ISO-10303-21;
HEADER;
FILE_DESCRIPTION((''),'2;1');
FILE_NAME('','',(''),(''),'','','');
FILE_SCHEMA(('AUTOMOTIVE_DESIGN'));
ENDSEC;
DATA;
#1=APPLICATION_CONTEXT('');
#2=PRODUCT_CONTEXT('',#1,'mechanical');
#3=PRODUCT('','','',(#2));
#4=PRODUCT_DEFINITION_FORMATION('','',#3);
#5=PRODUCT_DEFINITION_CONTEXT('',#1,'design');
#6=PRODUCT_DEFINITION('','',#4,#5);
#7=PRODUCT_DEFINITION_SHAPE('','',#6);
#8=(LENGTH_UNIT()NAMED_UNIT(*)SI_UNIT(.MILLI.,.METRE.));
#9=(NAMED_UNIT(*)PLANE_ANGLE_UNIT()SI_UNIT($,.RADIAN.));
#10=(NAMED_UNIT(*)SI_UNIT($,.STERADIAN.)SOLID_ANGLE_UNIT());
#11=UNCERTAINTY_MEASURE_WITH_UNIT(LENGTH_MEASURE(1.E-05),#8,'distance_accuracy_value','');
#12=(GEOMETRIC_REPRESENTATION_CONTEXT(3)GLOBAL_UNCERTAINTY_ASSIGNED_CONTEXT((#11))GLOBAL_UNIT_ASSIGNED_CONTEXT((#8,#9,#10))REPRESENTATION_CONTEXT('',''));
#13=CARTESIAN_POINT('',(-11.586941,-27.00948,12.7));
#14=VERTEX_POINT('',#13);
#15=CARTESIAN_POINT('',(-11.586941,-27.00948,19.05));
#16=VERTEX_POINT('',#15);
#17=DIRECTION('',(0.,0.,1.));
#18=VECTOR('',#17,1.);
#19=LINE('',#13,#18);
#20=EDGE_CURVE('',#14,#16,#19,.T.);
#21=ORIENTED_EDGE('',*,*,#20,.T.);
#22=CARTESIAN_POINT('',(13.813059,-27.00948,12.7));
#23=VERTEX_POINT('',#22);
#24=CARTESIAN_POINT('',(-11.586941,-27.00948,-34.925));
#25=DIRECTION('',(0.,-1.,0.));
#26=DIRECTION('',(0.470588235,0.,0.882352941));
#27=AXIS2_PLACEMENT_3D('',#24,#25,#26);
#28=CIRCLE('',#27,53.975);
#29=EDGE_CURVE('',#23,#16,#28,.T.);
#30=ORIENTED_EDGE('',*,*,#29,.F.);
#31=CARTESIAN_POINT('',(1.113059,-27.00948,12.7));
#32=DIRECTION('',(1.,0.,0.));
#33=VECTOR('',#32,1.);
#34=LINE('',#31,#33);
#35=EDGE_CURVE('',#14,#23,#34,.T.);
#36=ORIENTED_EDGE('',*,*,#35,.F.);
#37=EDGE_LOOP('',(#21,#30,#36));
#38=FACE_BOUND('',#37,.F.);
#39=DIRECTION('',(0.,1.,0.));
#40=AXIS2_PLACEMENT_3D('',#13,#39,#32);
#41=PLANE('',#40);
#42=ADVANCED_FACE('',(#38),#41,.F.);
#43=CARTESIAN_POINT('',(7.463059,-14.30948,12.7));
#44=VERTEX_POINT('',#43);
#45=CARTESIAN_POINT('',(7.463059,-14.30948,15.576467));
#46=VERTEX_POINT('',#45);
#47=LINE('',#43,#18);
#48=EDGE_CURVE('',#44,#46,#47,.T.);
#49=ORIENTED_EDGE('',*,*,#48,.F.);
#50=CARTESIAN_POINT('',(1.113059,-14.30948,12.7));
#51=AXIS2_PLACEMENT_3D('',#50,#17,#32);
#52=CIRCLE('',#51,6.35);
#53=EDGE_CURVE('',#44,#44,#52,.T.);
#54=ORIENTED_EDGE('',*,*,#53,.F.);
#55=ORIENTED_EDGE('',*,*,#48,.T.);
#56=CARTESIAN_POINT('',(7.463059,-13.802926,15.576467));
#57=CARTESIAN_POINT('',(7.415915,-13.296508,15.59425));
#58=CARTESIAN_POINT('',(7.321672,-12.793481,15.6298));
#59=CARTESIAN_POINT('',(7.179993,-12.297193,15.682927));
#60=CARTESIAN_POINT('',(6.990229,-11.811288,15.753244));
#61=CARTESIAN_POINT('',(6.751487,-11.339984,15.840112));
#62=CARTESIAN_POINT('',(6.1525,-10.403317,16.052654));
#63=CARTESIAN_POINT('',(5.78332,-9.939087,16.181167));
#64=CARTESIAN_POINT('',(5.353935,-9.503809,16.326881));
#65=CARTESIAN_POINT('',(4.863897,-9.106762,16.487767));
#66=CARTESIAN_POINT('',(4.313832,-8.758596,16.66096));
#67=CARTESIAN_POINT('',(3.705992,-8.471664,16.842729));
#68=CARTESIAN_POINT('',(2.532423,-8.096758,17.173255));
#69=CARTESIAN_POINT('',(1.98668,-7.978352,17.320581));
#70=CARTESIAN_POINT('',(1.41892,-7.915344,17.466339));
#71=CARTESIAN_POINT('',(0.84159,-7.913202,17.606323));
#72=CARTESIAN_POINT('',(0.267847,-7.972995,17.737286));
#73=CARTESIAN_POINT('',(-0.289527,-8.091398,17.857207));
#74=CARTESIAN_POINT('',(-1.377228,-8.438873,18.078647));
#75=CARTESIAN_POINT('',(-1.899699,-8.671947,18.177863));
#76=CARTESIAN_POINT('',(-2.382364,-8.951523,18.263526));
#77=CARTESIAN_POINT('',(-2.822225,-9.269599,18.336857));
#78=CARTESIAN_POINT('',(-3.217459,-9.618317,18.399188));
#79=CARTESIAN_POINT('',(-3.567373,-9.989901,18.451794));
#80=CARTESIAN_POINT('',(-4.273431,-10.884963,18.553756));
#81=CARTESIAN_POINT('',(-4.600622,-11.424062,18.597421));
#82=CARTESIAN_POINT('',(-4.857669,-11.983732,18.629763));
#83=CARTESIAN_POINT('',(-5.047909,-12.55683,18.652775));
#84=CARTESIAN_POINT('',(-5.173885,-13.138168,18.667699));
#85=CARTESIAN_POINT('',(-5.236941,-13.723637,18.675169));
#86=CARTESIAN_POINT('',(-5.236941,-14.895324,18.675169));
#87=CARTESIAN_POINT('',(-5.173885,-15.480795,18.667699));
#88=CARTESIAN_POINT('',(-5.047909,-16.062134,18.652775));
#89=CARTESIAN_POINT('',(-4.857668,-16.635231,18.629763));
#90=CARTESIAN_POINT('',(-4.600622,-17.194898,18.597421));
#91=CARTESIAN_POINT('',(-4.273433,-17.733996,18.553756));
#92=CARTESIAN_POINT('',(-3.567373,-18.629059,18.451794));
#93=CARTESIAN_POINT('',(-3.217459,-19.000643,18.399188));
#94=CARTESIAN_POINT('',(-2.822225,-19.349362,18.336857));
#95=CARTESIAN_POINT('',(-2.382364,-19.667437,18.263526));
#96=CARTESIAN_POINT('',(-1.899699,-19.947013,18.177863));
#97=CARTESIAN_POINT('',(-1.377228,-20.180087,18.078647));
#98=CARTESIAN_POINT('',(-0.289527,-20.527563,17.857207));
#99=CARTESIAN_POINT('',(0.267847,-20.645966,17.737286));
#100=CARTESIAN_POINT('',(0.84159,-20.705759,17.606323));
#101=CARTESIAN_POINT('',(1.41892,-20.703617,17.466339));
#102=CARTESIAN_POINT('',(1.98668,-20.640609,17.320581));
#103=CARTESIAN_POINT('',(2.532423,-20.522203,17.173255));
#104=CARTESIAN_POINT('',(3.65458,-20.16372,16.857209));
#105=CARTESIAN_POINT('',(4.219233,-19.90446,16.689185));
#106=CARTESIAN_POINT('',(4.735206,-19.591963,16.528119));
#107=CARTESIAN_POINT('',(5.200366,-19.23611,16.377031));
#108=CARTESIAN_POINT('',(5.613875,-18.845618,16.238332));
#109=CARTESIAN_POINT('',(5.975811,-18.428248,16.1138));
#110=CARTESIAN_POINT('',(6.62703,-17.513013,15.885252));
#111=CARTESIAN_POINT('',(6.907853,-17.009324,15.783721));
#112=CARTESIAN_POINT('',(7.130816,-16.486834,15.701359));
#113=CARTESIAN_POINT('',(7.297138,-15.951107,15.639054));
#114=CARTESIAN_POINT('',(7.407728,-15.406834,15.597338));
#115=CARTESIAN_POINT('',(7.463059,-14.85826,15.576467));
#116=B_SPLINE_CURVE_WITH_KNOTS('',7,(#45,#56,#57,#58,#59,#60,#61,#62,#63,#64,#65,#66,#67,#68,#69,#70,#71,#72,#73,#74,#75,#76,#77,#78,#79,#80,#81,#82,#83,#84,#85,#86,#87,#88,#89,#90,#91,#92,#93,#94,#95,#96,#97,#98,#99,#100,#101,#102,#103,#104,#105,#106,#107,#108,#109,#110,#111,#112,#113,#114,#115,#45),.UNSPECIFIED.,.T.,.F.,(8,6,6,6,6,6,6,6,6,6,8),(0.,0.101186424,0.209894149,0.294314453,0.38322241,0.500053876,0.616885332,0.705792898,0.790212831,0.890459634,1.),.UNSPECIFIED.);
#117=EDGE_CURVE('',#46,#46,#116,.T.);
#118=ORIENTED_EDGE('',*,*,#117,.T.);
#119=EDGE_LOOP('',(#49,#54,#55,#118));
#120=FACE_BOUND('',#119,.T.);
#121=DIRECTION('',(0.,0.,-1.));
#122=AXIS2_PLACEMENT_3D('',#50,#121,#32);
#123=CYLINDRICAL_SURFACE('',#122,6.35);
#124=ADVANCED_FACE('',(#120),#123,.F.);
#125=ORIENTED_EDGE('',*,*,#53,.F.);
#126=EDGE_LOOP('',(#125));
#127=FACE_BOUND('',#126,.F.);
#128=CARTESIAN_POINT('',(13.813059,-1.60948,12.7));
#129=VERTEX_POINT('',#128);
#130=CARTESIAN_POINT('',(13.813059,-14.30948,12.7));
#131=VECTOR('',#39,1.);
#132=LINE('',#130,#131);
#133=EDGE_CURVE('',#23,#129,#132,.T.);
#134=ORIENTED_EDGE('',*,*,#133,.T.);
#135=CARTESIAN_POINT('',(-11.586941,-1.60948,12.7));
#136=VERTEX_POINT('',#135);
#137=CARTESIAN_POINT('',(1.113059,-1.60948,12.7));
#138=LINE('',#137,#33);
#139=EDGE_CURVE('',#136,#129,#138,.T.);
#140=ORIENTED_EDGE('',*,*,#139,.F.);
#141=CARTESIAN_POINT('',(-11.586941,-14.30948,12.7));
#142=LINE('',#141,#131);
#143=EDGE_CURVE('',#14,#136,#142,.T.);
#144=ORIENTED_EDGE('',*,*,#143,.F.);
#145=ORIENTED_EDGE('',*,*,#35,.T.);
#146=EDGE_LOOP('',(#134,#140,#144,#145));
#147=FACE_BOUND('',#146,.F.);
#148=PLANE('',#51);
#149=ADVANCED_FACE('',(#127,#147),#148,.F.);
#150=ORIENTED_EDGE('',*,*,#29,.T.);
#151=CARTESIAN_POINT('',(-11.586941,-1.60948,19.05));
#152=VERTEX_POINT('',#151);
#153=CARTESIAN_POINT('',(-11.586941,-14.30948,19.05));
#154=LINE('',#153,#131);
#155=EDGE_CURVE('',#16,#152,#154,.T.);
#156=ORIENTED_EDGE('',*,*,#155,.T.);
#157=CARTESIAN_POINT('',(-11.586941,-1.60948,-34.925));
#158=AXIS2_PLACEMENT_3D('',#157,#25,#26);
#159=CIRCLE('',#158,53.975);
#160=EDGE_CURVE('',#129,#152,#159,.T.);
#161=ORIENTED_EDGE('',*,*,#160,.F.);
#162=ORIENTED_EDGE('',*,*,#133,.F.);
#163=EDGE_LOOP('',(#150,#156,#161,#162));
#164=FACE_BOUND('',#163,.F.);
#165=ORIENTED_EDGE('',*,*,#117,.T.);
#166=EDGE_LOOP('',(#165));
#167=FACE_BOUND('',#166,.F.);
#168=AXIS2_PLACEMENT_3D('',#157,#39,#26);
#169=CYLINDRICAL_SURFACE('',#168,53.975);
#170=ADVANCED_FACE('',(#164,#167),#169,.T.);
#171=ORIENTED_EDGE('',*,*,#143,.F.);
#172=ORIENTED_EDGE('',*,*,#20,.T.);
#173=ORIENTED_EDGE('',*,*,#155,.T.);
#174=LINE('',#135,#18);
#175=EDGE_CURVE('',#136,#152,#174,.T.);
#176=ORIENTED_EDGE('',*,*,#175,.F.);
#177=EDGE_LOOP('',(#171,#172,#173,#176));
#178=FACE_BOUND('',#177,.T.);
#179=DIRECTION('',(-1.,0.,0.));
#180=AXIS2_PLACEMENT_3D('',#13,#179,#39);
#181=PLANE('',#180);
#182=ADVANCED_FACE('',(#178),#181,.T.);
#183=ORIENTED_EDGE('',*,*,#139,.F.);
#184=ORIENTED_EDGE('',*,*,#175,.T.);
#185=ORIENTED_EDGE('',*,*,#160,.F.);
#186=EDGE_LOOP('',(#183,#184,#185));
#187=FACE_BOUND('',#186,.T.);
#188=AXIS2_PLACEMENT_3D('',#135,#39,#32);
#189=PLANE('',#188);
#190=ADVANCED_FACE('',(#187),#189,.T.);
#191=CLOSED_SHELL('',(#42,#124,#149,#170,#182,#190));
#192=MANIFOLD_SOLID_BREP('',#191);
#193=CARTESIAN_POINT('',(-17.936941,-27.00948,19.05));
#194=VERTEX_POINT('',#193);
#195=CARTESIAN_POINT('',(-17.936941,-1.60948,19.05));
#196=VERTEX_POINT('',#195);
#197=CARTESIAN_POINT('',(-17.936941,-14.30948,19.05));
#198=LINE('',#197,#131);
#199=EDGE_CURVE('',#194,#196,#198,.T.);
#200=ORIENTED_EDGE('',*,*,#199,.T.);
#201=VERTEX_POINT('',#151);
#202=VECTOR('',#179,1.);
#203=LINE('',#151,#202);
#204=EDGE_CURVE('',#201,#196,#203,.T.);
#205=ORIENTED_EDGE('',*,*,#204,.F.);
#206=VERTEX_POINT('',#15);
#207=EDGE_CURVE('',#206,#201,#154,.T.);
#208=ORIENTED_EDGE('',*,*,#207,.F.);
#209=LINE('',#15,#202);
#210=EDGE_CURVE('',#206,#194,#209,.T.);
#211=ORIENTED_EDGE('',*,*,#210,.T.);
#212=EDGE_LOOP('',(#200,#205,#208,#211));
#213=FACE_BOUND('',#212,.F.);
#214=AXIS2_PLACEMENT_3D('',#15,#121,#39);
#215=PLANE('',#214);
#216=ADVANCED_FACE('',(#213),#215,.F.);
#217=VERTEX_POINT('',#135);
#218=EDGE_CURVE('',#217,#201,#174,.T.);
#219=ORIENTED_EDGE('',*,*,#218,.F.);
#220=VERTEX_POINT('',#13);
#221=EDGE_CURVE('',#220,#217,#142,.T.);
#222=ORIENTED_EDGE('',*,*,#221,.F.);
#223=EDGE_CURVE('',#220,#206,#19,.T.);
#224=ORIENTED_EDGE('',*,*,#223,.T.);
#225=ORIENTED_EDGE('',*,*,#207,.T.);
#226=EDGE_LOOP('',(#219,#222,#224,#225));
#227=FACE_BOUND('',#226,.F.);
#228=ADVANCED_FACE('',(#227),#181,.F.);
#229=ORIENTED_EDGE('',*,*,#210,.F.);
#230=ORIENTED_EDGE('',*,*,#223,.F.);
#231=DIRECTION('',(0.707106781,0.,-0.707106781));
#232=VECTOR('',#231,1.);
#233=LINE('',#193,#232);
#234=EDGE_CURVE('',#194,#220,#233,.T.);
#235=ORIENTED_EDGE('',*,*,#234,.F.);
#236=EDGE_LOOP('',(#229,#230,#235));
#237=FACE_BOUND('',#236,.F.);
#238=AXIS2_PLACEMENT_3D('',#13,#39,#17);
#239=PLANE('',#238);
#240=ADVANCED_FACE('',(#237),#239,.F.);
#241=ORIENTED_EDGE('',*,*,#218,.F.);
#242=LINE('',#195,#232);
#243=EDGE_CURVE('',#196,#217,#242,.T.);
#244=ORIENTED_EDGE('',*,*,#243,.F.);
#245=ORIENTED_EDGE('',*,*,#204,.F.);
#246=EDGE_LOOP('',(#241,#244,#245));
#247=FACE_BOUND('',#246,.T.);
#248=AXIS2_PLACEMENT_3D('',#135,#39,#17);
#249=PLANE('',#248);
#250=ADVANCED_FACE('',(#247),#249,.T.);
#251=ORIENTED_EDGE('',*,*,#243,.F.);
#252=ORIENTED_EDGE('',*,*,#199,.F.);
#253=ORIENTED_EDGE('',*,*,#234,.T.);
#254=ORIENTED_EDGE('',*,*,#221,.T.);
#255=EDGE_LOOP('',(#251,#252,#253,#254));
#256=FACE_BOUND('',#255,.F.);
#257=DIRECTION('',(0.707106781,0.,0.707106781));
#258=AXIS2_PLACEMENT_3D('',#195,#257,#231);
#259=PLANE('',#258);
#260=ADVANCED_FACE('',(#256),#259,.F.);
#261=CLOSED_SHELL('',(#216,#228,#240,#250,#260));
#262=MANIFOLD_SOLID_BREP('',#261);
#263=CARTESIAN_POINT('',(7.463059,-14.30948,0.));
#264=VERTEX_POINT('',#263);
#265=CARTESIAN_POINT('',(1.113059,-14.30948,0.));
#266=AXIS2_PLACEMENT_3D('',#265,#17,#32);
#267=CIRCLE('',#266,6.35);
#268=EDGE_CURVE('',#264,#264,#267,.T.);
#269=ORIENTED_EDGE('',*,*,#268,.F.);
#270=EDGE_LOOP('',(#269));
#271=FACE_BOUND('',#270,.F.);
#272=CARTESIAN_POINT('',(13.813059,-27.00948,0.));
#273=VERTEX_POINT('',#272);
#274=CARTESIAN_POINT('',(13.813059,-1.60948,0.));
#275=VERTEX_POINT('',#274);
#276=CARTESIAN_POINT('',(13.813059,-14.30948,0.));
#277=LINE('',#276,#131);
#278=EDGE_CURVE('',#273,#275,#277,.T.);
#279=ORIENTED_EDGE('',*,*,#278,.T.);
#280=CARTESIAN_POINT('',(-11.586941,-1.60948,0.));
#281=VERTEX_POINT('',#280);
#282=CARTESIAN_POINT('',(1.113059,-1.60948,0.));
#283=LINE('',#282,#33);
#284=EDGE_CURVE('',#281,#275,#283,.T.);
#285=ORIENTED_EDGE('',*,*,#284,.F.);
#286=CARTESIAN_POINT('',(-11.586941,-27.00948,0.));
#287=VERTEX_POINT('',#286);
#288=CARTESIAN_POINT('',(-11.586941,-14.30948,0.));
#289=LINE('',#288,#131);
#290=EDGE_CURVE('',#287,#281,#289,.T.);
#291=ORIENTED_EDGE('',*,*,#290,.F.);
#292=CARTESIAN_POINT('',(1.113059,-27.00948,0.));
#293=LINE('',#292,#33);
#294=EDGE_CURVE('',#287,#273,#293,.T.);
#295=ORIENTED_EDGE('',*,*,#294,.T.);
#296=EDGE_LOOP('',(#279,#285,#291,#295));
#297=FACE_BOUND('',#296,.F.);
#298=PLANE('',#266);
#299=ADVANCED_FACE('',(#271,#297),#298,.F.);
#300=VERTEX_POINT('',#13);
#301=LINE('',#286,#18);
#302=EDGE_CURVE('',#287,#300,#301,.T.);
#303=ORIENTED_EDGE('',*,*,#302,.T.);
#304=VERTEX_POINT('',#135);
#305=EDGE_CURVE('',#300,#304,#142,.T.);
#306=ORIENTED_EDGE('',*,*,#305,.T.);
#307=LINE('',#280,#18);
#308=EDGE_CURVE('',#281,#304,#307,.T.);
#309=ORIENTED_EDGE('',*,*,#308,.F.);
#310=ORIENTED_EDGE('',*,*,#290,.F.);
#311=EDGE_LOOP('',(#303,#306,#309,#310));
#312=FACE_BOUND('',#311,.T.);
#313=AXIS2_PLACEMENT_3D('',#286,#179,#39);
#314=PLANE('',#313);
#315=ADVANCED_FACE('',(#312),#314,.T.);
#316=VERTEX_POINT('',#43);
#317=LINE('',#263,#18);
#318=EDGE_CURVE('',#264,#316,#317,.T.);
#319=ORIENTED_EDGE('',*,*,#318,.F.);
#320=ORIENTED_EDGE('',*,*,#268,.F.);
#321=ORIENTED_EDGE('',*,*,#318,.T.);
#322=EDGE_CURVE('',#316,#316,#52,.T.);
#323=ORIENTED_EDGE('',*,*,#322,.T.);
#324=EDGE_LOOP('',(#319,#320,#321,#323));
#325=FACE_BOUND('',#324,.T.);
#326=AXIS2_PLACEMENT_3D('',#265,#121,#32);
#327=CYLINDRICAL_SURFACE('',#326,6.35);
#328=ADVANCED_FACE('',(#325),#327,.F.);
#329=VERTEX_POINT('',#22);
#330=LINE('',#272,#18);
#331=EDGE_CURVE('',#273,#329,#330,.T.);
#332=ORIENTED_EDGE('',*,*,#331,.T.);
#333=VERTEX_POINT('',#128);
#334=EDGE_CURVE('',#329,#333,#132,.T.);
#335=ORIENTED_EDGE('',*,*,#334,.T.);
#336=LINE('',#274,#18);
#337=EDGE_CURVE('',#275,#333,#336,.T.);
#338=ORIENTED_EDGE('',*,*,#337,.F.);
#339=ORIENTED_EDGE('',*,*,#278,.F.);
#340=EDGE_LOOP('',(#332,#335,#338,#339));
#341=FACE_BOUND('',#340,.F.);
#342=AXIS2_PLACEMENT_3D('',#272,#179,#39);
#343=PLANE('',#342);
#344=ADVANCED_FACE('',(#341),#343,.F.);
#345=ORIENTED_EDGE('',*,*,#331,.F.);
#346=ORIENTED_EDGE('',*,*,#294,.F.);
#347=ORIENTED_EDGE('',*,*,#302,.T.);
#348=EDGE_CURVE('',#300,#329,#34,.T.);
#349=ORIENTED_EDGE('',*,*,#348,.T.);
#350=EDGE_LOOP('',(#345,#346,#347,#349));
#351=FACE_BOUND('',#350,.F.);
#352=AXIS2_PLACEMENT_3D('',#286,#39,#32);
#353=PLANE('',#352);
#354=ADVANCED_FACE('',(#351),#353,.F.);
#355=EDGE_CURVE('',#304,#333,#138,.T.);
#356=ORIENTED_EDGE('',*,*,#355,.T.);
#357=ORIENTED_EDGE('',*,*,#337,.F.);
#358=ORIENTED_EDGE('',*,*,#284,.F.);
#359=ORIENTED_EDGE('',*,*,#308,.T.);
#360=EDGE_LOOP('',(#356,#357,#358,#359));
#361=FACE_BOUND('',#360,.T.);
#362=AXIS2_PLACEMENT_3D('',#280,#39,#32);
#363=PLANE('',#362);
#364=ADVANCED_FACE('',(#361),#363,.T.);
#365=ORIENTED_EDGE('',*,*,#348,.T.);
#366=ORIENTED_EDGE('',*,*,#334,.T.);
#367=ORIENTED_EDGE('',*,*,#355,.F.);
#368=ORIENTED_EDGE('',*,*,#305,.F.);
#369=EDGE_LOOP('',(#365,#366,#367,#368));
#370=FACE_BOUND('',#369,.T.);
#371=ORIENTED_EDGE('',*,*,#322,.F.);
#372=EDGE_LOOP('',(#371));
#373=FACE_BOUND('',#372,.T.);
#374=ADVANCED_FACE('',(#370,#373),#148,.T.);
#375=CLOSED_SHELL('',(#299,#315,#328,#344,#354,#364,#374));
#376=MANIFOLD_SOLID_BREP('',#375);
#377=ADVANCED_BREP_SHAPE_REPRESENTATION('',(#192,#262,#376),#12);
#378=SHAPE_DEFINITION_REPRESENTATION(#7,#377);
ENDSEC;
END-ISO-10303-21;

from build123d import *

# Parameters (mm, degrees)
F0_W     = 25.4
F0_H     = 25.4
F0_R     = 6.35
F1_DEPTH = 12.7
F2_DEPTH = 6.35
F3_DEPTH = 6.35
F5_DEPTH = 25.4
F7_DEPTH = 25.4


with BuildPart() as f1:
    # F0 (on Top) → F1 (new body)
    with BuildSketch(Plane.XY):
        with Locations((1.1130588174, -14.3094803207)):
            Rectangle(F0_W, F0_H)
        with Locations((1.1130588174, -14.3094803207)):
            Circle(F0_R, mode=Mode.SUBTRACT)
    extrude(amount=F1_DEPTH)


with BuildPart() as f2:
    # F2 (new): a face of the model
    f2_faces = [f1.part.faces().sort_by_distance(p)[0] for p in [
        (1.1130588174, -1.9686905655, 12.7),
    ]]
    extrude(f2_faces, amount=F2_DEPTH)


with BuildPart() as f3:
    # F3 (new): a face of the model
    f3_faces = [f2.part.faces().sort_by_distance(p)[0] for p in [
        (-11.5869411826, -14.3094803207, 15.875),
    ]]
    extrude(f3_faces, amount=F3_DEPTH)

    # F4 (on face) → F5 (cut)
    with BuildSketch(Plane(origin=(0, -1.6094803207, 0), x_dir=(-1, 0, 0), z_dir=(0, 1, 0))):
        Polygon((17.9369411826, 19.05), (11.5869411826, 12.7), (17.9369411826, 12.7), align=None)
    extrude(amount=-F5_DEPTH, mode=Mode.SUBTRACT)


with BuildPart() as f2_1:
    add(f2.part)

    # F6 (on face) → F7 (cut)
    with BuildSketch(Plane(origin=(0, -1.6094803207, 0), x_dir=(-1, 0, 0), z_dir=(0, 1, 0))):
        with BuildLine():
            ThreePointArc((-13.8130588174, 12.7), (-1.5039191787, 17.4384414453), (11.5869411826, 19.05))
            Line((11.5869411826, 19.05), (-13.8130588174, 19.05))
            Line((-13.8130588174, 19.05), (-13.8130588174, 12.7))
        make_face()
    extrude(amount=-F7_DEPTH, mode=Mode.SUBTRACT)


solid = Compound([f1.part, f3.part, f2_1.part])
